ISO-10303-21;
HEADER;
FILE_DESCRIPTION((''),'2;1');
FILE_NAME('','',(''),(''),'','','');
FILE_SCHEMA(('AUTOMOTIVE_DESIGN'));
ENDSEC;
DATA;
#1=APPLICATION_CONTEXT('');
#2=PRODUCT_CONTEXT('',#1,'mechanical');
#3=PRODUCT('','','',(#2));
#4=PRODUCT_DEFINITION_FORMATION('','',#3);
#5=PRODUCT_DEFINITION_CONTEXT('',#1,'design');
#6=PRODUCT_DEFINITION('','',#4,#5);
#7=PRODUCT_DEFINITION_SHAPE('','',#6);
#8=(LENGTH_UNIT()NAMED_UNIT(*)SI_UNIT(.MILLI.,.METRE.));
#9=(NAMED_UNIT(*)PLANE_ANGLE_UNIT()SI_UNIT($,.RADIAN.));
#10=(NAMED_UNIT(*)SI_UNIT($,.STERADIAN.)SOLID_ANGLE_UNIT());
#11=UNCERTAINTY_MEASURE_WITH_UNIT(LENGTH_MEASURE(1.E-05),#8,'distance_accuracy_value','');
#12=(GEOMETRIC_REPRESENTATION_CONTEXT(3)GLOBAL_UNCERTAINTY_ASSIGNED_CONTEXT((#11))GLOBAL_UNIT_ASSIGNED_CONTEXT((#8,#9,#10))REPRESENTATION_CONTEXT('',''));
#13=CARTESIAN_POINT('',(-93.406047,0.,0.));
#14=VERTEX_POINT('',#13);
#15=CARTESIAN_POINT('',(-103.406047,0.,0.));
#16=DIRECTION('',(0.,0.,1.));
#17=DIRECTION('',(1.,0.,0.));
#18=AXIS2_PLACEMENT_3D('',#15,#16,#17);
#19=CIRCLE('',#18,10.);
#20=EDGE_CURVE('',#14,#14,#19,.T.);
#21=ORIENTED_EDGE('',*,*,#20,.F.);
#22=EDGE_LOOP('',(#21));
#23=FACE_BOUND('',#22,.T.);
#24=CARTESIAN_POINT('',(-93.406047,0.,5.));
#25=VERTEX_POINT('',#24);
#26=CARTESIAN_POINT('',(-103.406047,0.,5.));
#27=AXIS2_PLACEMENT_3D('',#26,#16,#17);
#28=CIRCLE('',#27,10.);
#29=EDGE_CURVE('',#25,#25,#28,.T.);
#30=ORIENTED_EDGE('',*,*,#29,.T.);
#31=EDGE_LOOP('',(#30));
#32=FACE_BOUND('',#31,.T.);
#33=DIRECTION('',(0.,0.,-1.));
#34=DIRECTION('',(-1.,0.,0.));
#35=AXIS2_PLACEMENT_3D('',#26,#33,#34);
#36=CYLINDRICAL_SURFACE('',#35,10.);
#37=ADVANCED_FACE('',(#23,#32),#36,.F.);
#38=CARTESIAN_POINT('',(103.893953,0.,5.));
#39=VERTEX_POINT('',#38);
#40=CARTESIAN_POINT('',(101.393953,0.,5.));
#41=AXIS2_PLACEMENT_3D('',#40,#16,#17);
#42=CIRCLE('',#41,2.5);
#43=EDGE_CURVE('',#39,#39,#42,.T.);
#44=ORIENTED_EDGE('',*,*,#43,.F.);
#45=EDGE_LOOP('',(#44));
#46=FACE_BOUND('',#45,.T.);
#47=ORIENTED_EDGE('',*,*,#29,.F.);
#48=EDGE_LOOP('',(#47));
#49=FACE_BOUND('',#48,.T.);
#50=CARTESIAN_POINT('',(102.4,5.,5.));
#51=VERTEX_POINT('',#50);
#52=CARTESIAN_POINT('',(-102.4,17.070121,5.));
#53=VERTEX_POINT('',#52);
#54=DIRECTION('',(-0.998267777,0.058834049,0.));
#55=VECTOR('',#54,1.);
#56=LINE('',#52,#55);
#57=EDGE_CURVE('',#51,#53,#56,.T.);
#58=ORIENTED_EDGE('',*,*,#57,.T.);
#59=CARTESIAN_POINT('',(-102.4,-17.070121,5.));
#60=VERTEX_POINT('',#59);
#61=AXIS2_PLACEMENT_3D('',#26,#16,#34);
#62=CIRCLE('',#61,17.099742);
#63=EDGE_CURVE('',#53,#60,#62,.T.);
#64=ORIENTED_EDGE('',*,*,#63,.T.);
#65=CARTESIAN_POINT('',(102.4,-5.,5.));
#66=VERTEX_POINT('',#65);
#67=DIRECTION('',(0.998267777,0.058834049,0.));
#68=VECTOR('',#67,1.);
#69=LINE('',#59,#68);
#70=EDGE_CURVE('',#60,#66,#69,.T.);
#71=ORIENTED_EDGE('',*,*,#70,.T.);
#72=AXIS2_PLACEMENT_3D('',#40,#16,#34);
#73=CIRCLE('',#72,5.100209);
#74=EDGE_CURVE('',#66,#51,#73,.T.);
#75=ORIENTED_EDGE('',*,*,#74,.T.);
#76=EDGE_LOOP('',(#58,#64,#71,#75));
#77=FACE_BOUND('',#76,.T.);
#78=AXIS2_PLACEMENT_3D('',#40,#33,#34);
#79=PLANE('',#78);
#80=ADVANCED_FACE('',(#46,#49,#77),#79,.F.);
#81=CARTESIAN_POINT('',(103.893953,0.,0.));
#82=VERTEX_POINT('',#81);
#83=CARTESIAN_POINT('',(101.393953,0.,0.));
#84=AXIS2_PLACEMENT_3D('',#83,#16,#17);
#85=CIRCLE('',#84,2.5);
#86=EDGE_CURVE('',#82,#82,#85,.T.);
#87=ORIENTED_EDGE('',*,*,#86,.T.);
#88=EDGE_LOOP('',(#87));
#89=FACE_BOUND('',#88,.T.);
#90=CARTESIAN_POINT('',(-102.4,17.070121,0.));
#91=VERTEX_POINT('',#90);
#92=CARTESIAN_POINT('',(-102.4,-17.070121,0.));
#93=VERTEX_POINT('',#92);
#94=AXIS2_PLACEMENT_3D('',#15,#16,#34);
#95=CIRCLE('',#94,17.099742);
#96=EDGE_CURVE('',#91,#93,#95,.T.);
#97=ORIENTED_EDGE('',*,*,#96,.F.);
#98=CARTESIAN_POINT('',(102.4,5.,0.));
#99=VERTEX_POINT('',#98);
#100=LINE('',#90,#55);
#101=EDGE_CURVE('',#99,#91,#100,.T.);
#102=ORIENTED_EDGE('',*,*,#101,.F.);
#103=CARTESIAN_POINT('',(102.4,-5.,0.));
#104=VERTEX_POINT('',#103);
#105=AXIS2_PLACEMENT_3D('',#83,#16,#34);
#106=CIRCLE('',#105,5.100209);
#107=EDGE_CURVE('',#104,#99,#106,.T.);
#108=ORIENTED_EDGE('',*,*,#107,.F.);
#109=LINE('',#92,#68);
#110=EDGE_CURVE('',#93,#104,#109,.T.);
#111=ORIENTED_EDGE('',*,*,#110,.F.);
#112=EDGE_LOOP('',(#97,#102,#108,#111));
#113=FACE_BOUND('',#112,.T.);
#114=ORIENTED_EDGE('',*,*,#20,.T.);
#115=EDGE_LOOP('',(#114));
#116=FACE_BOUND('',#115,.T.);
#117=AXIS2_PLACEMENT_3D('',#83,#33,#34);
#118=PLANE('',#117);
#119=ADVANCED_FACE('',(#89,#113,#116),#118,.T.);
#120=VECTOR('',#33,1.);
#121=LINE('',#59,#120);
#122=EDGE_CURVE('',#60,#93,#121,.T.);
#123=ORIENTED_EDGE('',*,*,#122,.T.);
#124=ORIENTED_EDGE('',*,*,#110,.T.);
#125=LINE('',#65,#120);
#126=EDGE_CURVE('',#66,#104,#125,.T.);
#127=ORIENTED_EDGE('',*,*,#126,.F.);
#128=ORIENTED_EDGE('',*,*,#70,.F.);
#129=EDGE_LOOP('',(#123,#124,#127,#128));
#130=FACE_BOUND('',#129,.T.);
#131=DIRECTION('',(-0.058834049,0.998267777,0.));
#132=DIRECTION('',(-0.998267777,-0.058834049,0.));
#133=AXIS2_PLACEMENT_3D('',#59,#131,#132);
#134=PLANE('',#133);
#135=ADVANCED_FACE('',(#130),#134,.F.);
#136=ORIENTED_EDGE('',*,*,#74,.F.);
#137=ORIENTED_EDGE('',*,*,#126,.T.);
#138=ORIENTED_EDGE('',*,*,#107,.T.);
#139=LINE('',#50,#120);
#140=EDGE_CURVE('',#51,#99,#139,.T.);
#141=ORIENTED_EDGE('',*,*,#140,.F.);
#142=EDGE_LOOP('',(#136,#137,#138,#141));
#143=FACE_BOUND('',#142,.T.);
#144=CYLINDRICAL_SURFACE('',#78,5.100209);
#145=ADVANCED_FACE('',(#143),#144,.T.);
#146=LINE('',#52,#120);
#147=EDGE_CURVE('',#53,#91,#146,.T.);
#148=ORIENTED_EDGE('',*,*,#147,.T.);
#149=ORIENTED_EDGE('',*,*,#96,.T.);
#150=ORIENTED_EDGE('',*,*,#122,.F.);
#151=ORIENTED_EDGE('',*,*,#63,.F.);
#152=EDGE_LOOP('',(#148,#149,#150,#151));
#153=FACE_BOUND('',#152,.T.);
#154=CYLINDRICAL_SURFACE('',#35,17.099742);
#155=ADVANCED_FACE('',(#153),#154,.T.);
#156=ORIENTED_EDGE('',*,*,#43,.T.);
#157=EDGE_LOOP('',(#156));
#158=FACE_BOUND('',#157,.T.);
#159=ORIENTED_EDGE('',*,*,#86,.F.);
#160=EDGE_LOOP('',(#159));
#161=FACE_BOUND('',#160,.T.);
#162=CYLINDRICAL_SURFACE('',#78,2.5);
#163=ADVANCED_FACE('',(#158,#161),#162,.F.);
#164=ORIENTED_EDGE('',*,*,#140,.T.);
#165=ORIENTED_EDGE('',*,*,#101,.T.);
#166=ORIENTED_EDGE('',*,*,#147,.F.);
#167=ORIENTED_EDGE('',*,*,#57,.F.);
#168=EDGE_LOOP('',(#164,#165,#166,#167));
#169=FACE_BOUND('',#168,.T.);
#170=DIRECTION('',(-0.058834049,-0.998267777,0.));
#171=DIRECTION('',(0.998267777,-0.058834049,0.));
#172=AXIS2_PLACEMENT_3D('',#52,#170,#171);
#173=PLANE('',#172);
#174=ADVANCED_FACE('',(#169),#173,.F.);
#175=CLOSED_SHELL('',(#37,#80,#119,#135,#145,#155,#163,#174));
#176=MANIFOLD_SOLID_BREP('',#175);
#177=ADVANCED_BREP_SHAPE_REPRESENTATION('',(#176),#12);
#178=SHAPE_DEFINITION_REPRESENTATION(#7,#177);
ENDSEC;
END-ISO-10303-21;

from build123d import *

# Parameters (mm, degrees)
ESBO_O1_R                = 10
ESBO_O1_R_2              = 2.5
RESSALTO_EXTRUS_O1_DEPTH = 5


with BuildPart() as part:
    # Esboço1 → Ressalto-extrusão1 (new body)
    with BuildSketch(Plane.XY):
        with BuildLine():
            Line((-102.4, -17.070121396), (102.4, -5))
            ThreePointArc((102.4, -5), (106.494161828, 0), (102.4, 5))
            Line((102.4, 5), (-102.4, 17.070121396))
            ThreePointArc((-102.4, 17.070121396), (-120.50578902, 0), (-102.4, -17.070121396))
        make_face()
        with Locations((-103.406047058, 0)):
            Circle(ESBO_O1_R, mode=Mode.SUBTRACT)
        with Locations((101.393952942, 0)):
            Circle(ESBO_O1_R_2, mode=Mode.SUBTRACT)
    extrude(amount=RESSALTO_EXTRUS_O1_DEPTH)


solid = part.part
